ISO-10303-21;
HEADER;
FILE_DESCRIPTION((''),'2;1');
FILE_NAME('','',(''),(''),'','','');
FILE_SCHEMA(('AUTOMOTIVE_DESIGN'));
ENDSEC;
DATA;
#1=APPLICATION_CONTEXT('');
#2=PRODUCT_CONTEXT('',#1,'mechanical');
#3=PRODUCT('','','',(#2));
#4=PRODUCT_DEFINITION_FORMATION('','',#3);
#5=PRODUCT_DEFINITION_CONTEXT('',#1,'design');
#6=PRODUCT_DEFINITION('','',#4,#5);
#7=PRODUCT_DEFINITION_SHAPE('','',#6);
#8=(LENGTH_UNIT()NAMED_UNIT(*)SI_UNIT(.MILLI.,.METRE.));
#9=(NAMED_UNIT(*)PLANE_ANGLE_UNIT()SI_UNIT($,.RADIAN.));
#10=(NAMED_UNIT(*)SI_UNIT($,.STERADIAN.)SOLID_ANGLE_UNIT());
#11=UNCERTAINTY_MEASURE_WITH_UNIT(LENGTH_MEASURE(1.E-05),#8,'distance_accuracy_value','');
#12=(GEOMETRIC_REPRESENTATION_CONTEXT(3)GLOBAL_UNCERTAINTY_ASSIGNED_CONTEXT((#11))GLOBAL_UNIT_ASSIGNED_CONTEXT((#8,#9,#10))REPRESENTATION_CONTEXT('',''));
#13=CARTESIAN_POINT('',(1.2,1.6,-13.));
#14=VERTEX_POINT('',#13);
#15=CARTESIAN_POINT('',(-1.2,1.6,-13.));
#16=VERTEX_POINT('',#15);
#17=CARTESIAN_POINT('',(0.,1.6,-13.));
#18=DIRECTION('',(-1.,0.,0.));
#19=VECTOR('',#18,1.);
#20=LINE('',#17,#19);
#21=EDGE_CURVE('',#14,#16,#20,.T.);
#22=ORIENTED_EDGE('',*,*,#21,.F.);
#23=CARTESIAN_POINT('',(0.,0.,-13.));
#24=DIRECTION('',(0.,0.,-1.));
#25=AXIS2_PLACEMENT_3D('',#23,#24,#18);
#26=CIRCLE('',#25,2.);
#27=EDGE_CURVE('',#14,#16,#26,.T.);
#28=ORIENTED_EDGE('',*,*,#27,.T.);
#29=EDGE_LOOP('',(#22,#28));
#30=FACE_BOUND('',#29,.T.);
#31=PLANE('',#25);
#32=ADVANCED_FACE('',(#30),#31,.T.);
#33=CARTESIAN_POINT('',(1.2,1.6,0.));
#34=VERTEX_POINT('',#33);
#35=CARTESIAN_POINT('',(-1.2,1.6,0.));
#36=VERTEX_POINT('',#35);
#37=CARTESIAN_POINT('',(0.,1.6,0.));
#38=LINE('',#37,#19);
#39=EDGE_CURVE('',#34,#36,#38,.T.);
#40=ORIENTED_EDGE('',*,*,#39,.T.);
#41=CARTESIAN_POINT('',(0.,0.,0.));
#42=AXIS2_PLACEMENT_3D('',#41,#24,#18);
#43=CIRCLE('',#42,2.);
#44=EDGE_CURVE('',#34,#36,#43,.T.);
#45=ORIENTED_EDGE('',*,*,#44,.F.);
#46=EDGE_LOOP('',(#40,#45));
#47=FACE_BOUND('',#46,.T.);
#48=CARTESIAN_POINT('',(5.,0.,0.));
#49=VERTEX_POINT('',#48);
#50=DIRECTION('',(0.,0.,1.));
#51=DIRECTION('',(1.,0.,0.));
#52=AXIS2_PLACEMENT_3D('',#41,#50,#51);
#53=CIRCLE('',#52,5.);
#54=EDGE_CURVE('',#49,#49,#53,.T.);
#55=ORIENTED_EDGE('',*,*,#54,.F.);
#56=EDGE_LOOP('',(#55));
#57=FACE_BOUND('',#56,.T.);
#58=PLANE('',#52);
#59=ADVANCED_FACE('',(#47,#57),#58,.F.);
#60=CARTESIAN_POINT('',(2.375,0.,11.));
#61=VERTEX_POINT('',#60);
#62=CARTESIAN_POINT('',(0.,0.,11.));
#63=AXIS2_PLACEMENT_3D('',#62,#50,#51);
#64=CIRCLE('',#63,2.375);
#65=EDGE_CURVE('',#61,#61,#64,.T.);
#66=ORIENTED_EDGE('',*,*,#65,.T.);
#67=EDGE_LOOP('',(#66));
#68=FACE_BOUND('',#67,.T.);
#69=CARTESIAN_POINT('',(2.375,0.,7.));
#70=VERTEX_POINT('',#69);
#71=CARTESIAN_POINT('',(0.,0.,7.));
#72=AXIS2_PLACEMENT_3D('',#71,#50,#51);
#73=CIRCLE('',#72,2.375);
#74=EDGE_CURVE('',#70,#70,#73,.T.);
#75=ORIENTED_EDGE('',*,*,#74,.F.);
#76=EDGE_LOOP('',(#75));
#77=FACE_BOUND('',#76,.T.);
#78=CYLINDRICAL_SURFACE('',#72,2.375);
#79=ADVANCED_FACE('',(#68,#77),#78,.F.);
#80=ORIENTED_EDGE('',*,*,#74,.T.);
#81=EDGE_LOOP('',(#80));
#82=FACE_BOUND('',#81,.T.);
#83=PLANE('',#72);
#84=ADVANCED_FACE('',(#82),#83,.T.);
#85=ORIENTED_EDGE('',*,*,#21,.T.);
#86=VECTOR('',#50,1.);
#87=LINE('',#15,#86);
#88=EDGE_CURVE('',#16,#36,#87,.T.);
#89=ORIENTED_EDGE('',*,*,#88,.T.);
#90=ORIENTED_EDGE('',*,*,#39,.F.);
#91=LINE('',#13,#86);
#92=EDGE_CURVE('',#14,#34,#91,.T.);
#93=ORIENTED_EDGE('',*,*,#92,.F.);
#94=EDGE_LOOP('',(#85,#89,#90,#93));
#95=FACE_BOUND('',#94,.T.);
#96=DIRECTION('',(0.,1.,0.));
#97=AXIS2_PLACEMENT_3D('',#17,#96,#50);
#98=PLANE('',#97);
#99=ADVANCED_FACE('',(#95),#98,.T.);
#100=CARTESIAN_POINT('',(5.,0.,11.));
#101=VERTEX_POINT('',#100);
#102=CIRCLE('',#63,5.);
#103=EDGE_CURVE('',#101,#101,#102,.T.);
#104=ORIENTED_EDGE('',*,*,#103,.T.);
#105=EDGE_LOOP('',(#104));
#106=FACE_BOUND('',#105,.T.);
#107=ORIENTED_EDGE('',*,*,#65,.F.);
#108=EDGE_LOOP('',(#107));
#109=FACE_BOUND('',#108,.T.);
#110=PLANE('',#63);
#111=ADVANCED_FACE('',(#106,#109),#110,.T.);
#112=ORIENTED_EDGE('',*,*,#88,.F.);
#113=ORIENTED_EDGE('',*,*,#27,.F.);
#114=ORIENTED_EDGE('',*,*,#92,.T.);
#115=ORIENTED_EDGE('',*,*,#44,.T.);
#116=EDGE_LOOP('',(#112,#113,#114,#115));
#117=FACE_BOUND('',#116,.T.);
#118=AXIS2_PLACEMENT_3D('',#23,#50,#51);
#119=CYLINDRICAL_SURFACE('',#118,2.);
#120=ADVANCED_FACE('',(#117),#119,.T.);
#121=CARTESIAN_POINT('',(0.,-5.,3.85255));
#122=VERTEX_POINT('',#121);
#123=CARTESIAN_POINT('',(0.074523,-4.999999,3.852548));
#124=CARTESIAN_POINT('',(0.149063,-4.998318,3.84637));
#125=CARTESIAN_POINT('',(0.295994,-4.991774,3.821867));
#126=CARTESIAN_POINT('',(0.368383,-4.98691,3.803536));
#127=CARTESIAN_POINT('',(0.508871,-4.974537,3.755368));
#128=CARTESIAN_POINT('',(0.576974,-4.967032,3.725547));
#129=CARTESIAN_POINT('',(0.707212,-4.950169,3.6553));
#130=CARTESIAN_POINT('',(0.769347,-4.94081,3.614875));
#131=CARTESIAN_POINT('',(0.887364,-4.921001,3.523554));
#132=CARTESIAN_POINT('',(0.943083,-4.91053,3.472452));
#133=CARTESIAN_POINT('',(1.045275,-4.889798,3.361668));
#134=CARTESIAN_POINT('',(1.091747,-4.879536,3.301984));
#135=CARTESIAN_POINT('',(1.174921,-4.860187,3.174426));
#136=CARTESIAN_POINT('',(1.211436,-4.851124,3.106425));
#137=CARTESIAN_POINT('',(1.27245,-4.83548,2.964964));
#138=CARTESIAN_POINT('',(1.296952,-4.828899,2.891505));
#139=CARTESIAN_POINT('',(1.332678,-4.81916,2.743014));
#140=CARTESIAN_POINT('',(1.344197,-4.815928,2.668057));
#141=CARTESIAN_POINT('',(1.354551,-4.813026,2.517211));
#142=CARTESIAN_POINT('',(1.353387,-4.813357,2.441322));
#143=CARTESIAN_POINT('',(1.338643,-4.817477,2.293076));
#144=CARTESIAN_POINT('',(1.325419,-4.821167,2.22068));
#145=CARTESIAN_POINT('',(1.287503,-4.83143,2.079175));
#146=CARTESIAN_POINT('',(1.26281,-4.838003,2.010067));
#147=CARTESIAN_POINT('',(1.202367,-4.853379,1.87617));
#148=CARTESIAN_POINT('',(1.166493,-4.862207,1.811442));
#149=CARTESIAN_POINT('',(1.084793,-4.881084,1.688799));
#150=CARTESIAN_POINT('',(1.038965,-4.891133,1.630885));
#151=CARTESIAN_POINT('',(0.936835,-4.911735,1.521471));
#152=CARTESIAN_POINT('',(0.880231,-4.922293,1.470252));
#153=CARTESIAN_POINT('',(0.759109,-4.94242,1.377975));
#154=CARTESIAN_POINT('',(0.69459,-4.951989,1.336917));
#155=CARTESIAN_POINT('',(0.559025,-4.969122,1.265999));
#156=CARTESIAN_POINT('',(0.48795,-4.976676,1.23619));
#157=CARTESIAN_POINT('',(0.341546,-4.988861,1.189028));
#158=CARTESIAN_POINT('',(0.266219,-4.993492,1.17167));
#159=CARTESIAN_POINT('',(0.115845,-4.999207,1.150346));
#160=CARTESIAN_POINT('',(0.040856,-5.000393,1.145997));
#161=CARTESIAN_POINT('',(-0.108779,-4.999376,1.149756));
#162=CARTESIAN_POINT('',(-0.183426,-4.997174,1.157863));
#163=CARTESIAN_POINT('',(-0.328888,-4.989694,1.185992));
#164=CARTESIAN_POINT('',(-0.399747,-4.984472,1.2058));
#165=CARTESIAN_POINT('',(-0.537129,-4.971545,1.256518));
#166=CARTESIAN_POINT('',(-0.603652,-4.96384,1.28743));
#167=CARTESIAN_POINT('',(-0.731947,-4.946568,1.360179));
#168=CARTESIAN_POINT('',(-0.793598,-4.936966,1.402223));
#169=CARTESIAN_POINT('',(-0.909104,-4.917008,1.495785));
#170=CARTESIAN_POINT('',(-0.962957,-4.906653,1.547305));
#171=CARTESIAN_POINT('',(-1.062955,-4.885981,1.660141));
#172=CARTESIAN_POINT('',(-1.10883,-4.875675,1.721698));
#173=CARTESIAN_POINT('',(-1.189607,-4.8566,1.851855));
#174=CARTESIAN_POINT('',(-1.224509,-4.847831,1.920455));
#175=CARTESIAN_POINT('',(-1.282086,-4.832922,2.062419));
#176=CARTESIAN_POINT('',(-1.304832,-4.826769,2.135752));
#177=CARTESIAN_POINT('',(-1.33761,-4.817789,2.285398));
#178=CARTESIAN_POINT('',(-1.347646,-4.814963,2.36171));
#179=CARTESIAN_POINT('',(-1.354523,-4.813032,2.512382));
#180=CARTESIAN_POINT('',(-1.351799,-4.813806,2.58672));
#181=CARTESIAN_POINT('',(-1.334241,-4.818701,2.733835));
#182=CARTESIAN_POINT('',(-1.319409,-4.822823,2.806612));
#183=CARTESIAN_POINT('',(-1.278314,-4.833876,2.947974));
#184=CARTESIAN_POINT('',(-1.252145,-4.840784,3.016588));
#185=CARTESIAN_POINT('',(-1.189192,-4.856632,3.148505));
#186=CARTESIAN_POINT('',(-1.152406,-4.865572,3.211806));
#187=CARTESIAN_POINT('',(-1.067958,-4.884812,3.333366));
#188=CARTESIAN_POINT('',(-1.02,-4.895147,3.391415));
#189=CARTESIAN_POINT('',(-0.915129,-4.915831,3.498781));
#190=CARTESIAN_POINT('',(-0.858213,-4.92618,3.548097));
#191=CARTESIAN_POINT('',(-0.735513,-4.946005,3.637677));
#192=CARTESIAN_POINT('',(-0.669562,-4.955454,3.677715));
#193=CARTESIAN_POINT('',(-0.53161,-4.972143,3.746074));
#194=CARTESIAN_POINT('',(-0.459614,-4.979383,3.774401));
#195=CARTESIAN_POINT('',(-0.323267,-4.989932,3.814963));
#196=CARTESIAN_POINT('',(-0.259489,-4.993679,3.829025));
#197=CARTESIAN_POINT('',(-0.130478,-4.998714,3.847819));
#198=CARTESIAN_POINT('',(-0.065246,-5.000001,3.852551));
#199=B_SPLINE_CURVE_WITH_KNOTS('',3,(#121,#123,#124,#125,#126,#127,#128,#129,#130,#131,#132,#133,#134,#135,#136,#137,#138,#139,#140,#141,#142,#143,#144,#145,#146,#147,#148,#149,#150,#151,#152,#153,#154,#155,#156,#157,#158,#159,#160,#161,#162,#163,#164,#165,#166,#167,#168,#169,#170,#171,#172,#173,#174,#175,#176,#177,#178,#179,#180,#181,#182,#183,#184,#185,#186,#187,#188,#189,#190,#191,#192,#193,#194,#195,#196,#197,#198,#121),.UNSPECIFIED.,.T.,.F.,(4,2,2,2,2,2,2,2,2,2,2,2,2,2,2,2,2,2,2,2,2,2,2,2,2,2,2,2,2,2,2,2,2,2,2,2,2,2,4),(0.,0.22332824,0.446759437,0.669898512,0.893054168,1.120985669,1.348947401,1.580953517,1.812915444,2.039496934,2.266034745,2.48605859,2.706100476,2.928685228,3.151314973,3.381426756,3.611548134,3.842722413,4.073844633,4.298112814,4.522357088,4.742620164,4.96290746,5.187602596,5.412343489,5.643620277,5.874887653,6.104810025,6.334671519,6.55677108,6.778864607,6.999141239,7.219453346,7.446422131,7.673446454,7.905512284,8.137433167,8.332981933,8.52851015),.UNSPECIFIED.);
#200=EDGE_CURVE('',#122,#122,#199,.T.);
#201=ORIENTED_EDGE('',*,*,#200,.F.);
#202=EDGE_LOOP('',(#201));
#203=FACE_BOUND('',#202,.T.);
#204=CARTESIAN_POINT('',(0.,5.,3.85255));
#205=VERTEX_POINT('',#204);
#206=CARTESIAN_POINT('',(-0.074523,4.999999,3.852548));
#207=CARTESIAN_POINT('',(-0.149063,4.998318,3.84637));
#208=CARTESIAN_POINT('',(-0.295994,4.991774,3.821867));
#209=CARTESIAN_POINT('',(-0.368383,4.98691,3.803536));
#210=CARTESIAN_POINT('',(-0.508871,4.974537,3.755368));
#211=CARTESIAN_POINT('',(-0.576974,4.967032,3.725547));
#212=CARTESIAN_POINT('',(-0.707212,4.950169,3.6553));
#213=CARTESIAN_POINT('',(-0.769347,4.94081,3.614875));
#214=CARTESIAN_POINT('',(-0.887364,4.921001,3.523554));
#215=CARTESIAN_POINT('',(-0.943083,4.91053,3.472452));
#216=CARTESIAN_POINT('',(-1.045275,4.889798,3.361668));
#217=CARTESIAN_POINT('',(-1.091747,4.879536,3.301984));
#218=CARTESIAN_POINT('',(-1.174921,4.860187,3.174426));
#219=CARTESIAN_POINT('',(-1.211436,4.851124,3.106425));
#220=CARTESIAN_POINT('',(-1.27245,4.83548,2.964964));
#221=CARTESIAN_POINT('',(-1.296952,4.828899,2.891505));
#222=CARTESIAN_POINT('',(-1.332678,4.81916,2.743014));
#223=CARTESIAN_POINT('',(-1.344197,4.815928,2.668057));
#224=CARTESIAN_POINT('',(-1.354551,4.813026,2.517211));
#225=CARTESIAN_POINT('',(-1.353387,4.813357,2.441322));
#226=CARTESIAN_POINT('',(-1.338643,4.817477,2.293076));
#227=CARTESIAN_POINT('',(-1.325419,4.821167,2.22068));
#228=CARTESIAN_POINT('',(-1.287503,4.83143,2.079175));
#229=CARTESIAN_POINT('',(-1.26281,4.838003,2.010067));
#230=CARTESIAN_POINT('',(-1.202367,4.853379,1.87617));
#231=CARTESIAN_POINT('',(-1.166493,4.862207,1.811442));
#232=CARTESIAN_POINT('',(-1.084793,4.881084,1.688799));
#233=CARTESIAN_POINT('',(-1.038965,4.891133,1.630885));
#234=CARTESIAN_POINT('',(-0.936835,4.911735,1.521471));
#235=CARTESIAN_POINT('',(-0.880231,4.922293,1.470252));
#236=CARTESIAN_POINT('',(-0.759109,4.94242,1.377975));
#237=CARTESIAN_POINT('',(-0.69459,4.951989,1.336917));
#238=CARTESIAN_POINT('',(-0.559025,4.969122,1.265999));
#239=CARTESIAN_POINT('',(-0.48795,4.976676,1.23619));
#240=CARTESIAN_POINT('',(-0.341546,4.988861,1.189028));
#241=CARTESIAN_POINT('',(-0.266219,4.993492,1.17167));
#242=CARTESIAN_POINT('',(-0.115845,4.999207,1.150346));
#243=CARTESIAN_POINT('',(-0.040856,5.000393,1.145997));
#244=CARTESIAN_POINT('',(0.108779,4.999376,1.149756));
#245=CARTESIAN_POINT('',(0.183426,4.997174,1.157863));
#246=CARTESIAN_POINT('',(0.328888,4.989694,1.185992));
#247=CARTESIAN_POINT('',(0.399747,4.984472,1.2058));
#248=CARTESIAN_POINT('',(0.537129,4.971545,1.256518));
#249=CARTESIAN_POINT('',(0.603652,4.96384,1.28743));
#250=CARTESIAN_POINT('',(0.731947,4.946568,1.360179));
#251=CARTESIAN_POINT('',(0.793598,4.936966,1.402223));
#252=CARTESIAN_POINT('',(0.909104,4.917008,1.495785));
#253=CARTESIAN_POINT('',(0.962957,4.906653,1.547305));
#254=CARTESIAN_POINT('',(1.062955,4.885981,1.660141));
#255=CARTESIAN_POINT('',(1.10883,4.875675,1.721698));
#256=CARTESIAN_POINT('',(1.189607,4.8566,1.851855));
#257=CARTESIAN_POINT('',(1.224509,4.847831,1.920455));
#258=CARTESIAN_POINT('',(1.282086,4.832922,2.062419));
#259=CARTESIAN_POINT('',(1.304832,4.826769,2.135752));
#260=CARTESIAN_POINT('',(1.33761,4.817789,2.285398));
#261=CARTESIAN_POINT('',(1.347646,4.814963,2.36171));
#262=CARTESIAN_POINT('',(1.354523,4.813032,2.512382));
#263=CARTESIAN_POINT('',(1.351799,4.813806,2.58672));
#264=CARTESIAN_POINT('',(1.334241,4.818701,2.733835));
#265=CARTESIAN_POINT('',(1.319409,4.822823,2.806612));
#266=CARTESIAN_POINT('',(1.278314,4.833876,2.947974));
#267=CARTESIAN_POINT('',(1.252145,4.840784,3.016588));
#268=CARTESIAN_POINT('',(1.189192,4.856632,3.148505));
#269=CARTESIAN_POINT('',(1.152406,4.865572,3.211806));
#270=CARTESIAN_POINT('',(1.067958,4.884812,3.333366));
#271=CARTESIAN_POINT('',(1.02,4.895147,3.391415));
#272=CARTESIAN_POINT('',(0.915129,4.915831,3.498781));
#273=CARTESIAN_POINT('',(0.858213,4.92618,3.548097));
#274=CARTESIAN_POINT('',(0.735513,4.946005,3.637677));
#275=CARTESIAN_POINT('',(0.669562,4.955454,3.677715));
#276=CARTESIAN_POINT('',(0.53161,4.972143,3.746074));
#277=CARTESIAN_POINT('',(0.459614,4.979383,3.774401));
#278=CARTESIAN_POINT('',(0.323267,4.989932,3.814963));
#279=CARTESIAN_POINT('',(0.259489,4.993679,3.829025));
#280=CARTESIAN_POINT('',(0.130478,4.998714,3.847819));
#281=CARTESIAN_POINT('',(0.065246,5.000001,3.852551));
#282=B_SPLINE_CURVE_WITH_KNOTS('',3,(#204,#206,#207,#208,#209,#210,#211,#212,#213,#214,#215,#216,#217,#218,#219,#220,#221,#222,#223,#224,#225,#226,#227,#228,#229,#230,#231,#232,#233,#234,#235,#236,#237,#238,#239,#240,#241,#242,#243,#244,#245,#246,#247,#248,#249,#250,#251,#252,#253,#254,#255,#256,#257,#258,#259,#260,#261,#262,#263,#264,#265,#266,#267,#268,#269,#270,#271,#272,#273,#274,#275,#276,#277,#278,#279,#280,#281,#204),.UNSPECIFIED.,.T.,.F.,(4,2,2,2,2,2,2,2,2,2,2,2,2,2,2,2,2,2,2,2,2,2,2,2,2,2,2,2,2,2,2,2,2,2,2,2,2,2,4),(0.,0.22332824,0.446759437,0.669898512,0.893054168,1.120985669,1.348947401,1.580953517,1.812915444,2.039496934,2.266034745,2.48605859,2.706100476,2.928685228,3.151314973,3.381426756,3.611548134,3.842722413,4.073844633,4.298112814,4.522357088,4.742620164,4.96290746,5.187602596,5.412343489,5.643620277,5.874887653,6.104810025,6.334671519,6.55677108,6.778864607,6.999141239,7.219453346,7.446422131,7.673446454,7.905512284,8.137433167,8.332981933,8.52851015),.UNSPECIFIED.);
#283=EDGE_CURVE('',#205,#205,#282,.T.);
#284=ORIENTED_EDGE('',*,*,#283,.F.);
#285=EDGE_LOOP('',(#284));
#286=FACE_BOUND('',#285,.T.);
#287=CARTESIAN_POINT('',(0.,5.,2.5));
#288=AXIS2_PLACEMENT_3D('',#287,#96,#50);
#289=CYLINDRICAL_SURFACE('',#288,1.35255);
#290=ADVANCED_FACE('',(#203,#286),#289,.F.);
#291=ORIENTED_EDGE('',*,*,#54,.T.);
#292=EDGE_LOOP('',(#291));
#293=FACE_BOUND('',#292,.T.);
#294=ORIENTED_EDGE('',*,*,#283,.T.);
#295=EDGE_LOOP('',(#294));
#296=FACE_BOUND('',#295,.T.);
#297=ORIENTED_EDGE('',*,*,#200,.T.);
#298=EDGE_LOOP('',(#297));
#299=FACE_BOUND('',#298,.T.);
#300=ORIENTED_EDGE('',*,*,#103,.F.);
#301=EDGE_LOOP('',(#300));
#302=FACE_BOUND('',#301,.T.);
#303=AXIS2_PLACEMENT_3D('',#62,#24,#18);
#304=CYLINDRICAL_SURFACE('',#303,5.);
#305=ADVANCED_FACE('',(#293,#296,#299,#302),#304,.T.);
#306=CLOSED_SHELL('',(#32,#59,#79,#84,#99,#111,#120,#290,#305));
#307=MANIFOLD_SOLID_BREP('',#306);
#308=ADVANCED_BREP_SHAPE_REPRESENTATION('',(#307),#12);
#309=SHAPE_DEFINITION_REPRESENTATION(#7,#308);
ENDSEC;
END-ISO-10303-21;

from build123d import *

# Parameters (mm, degrees)
SKETCH1_R             = 5
BOSS_EXTRUDE1_DEPTH   = 11
SKETCH2_R             = 2.375
CUT_EXTRUDE1_DEPTH    = 4
BOSS_EXTRUDE2_DEPTH   = 13
F_6_32_TAPPED_HOLE2_D = 2.7051


with BuildPart() as part:
    # Sketch1 → Boss-Extrude1 (new body)
    with BuildSketch(Plane.XY):
        Circle(SKETCH1_R)
    extrude(amount=BOSS_EXTRUDE1_DEPTH)

    # Sketch2 → Cut-Extrude1 (cut)
    with BuildSketch(Plane.XY.offset(11)):
        Circle(SKETCH2_R)
    extrude(amount=-CUT_EXTRUDE1_DEPTH, mode=Mode.SUBTRACT)

    # Sketch3 → Boss-Extrude2 (add)
    with BuildSketch(Plane(origin=(0, 0, 0), x_dir=(-1, 0, 0), z_dir=(0, 0, -1))):
        with BuildLine():
            Line((1.2, 1.6), (-1.2, 1.6))
            ThreePointArc((-1.2, 1.6), (-0.894427191, -1.788854382), (2, 0))
            ThreePointArc((2, 0), (1.788854382, 0.894427191), (1.2, 1.6))
        make_face()
    extrude(amount=BOSS_EXTRUDE2_DEPTH)

    # #6-32 Tapped Hole2 (through all)
    with Locations(Plane(origin=(0, 5, 0), x_dir=(1, 0, 0), z_dir=(0, 1, 0))):
        with Locations((0, -2.5)):
            Hole(F_6_32_TAPPED_HOLE2_D / 2)


solid = part.part
